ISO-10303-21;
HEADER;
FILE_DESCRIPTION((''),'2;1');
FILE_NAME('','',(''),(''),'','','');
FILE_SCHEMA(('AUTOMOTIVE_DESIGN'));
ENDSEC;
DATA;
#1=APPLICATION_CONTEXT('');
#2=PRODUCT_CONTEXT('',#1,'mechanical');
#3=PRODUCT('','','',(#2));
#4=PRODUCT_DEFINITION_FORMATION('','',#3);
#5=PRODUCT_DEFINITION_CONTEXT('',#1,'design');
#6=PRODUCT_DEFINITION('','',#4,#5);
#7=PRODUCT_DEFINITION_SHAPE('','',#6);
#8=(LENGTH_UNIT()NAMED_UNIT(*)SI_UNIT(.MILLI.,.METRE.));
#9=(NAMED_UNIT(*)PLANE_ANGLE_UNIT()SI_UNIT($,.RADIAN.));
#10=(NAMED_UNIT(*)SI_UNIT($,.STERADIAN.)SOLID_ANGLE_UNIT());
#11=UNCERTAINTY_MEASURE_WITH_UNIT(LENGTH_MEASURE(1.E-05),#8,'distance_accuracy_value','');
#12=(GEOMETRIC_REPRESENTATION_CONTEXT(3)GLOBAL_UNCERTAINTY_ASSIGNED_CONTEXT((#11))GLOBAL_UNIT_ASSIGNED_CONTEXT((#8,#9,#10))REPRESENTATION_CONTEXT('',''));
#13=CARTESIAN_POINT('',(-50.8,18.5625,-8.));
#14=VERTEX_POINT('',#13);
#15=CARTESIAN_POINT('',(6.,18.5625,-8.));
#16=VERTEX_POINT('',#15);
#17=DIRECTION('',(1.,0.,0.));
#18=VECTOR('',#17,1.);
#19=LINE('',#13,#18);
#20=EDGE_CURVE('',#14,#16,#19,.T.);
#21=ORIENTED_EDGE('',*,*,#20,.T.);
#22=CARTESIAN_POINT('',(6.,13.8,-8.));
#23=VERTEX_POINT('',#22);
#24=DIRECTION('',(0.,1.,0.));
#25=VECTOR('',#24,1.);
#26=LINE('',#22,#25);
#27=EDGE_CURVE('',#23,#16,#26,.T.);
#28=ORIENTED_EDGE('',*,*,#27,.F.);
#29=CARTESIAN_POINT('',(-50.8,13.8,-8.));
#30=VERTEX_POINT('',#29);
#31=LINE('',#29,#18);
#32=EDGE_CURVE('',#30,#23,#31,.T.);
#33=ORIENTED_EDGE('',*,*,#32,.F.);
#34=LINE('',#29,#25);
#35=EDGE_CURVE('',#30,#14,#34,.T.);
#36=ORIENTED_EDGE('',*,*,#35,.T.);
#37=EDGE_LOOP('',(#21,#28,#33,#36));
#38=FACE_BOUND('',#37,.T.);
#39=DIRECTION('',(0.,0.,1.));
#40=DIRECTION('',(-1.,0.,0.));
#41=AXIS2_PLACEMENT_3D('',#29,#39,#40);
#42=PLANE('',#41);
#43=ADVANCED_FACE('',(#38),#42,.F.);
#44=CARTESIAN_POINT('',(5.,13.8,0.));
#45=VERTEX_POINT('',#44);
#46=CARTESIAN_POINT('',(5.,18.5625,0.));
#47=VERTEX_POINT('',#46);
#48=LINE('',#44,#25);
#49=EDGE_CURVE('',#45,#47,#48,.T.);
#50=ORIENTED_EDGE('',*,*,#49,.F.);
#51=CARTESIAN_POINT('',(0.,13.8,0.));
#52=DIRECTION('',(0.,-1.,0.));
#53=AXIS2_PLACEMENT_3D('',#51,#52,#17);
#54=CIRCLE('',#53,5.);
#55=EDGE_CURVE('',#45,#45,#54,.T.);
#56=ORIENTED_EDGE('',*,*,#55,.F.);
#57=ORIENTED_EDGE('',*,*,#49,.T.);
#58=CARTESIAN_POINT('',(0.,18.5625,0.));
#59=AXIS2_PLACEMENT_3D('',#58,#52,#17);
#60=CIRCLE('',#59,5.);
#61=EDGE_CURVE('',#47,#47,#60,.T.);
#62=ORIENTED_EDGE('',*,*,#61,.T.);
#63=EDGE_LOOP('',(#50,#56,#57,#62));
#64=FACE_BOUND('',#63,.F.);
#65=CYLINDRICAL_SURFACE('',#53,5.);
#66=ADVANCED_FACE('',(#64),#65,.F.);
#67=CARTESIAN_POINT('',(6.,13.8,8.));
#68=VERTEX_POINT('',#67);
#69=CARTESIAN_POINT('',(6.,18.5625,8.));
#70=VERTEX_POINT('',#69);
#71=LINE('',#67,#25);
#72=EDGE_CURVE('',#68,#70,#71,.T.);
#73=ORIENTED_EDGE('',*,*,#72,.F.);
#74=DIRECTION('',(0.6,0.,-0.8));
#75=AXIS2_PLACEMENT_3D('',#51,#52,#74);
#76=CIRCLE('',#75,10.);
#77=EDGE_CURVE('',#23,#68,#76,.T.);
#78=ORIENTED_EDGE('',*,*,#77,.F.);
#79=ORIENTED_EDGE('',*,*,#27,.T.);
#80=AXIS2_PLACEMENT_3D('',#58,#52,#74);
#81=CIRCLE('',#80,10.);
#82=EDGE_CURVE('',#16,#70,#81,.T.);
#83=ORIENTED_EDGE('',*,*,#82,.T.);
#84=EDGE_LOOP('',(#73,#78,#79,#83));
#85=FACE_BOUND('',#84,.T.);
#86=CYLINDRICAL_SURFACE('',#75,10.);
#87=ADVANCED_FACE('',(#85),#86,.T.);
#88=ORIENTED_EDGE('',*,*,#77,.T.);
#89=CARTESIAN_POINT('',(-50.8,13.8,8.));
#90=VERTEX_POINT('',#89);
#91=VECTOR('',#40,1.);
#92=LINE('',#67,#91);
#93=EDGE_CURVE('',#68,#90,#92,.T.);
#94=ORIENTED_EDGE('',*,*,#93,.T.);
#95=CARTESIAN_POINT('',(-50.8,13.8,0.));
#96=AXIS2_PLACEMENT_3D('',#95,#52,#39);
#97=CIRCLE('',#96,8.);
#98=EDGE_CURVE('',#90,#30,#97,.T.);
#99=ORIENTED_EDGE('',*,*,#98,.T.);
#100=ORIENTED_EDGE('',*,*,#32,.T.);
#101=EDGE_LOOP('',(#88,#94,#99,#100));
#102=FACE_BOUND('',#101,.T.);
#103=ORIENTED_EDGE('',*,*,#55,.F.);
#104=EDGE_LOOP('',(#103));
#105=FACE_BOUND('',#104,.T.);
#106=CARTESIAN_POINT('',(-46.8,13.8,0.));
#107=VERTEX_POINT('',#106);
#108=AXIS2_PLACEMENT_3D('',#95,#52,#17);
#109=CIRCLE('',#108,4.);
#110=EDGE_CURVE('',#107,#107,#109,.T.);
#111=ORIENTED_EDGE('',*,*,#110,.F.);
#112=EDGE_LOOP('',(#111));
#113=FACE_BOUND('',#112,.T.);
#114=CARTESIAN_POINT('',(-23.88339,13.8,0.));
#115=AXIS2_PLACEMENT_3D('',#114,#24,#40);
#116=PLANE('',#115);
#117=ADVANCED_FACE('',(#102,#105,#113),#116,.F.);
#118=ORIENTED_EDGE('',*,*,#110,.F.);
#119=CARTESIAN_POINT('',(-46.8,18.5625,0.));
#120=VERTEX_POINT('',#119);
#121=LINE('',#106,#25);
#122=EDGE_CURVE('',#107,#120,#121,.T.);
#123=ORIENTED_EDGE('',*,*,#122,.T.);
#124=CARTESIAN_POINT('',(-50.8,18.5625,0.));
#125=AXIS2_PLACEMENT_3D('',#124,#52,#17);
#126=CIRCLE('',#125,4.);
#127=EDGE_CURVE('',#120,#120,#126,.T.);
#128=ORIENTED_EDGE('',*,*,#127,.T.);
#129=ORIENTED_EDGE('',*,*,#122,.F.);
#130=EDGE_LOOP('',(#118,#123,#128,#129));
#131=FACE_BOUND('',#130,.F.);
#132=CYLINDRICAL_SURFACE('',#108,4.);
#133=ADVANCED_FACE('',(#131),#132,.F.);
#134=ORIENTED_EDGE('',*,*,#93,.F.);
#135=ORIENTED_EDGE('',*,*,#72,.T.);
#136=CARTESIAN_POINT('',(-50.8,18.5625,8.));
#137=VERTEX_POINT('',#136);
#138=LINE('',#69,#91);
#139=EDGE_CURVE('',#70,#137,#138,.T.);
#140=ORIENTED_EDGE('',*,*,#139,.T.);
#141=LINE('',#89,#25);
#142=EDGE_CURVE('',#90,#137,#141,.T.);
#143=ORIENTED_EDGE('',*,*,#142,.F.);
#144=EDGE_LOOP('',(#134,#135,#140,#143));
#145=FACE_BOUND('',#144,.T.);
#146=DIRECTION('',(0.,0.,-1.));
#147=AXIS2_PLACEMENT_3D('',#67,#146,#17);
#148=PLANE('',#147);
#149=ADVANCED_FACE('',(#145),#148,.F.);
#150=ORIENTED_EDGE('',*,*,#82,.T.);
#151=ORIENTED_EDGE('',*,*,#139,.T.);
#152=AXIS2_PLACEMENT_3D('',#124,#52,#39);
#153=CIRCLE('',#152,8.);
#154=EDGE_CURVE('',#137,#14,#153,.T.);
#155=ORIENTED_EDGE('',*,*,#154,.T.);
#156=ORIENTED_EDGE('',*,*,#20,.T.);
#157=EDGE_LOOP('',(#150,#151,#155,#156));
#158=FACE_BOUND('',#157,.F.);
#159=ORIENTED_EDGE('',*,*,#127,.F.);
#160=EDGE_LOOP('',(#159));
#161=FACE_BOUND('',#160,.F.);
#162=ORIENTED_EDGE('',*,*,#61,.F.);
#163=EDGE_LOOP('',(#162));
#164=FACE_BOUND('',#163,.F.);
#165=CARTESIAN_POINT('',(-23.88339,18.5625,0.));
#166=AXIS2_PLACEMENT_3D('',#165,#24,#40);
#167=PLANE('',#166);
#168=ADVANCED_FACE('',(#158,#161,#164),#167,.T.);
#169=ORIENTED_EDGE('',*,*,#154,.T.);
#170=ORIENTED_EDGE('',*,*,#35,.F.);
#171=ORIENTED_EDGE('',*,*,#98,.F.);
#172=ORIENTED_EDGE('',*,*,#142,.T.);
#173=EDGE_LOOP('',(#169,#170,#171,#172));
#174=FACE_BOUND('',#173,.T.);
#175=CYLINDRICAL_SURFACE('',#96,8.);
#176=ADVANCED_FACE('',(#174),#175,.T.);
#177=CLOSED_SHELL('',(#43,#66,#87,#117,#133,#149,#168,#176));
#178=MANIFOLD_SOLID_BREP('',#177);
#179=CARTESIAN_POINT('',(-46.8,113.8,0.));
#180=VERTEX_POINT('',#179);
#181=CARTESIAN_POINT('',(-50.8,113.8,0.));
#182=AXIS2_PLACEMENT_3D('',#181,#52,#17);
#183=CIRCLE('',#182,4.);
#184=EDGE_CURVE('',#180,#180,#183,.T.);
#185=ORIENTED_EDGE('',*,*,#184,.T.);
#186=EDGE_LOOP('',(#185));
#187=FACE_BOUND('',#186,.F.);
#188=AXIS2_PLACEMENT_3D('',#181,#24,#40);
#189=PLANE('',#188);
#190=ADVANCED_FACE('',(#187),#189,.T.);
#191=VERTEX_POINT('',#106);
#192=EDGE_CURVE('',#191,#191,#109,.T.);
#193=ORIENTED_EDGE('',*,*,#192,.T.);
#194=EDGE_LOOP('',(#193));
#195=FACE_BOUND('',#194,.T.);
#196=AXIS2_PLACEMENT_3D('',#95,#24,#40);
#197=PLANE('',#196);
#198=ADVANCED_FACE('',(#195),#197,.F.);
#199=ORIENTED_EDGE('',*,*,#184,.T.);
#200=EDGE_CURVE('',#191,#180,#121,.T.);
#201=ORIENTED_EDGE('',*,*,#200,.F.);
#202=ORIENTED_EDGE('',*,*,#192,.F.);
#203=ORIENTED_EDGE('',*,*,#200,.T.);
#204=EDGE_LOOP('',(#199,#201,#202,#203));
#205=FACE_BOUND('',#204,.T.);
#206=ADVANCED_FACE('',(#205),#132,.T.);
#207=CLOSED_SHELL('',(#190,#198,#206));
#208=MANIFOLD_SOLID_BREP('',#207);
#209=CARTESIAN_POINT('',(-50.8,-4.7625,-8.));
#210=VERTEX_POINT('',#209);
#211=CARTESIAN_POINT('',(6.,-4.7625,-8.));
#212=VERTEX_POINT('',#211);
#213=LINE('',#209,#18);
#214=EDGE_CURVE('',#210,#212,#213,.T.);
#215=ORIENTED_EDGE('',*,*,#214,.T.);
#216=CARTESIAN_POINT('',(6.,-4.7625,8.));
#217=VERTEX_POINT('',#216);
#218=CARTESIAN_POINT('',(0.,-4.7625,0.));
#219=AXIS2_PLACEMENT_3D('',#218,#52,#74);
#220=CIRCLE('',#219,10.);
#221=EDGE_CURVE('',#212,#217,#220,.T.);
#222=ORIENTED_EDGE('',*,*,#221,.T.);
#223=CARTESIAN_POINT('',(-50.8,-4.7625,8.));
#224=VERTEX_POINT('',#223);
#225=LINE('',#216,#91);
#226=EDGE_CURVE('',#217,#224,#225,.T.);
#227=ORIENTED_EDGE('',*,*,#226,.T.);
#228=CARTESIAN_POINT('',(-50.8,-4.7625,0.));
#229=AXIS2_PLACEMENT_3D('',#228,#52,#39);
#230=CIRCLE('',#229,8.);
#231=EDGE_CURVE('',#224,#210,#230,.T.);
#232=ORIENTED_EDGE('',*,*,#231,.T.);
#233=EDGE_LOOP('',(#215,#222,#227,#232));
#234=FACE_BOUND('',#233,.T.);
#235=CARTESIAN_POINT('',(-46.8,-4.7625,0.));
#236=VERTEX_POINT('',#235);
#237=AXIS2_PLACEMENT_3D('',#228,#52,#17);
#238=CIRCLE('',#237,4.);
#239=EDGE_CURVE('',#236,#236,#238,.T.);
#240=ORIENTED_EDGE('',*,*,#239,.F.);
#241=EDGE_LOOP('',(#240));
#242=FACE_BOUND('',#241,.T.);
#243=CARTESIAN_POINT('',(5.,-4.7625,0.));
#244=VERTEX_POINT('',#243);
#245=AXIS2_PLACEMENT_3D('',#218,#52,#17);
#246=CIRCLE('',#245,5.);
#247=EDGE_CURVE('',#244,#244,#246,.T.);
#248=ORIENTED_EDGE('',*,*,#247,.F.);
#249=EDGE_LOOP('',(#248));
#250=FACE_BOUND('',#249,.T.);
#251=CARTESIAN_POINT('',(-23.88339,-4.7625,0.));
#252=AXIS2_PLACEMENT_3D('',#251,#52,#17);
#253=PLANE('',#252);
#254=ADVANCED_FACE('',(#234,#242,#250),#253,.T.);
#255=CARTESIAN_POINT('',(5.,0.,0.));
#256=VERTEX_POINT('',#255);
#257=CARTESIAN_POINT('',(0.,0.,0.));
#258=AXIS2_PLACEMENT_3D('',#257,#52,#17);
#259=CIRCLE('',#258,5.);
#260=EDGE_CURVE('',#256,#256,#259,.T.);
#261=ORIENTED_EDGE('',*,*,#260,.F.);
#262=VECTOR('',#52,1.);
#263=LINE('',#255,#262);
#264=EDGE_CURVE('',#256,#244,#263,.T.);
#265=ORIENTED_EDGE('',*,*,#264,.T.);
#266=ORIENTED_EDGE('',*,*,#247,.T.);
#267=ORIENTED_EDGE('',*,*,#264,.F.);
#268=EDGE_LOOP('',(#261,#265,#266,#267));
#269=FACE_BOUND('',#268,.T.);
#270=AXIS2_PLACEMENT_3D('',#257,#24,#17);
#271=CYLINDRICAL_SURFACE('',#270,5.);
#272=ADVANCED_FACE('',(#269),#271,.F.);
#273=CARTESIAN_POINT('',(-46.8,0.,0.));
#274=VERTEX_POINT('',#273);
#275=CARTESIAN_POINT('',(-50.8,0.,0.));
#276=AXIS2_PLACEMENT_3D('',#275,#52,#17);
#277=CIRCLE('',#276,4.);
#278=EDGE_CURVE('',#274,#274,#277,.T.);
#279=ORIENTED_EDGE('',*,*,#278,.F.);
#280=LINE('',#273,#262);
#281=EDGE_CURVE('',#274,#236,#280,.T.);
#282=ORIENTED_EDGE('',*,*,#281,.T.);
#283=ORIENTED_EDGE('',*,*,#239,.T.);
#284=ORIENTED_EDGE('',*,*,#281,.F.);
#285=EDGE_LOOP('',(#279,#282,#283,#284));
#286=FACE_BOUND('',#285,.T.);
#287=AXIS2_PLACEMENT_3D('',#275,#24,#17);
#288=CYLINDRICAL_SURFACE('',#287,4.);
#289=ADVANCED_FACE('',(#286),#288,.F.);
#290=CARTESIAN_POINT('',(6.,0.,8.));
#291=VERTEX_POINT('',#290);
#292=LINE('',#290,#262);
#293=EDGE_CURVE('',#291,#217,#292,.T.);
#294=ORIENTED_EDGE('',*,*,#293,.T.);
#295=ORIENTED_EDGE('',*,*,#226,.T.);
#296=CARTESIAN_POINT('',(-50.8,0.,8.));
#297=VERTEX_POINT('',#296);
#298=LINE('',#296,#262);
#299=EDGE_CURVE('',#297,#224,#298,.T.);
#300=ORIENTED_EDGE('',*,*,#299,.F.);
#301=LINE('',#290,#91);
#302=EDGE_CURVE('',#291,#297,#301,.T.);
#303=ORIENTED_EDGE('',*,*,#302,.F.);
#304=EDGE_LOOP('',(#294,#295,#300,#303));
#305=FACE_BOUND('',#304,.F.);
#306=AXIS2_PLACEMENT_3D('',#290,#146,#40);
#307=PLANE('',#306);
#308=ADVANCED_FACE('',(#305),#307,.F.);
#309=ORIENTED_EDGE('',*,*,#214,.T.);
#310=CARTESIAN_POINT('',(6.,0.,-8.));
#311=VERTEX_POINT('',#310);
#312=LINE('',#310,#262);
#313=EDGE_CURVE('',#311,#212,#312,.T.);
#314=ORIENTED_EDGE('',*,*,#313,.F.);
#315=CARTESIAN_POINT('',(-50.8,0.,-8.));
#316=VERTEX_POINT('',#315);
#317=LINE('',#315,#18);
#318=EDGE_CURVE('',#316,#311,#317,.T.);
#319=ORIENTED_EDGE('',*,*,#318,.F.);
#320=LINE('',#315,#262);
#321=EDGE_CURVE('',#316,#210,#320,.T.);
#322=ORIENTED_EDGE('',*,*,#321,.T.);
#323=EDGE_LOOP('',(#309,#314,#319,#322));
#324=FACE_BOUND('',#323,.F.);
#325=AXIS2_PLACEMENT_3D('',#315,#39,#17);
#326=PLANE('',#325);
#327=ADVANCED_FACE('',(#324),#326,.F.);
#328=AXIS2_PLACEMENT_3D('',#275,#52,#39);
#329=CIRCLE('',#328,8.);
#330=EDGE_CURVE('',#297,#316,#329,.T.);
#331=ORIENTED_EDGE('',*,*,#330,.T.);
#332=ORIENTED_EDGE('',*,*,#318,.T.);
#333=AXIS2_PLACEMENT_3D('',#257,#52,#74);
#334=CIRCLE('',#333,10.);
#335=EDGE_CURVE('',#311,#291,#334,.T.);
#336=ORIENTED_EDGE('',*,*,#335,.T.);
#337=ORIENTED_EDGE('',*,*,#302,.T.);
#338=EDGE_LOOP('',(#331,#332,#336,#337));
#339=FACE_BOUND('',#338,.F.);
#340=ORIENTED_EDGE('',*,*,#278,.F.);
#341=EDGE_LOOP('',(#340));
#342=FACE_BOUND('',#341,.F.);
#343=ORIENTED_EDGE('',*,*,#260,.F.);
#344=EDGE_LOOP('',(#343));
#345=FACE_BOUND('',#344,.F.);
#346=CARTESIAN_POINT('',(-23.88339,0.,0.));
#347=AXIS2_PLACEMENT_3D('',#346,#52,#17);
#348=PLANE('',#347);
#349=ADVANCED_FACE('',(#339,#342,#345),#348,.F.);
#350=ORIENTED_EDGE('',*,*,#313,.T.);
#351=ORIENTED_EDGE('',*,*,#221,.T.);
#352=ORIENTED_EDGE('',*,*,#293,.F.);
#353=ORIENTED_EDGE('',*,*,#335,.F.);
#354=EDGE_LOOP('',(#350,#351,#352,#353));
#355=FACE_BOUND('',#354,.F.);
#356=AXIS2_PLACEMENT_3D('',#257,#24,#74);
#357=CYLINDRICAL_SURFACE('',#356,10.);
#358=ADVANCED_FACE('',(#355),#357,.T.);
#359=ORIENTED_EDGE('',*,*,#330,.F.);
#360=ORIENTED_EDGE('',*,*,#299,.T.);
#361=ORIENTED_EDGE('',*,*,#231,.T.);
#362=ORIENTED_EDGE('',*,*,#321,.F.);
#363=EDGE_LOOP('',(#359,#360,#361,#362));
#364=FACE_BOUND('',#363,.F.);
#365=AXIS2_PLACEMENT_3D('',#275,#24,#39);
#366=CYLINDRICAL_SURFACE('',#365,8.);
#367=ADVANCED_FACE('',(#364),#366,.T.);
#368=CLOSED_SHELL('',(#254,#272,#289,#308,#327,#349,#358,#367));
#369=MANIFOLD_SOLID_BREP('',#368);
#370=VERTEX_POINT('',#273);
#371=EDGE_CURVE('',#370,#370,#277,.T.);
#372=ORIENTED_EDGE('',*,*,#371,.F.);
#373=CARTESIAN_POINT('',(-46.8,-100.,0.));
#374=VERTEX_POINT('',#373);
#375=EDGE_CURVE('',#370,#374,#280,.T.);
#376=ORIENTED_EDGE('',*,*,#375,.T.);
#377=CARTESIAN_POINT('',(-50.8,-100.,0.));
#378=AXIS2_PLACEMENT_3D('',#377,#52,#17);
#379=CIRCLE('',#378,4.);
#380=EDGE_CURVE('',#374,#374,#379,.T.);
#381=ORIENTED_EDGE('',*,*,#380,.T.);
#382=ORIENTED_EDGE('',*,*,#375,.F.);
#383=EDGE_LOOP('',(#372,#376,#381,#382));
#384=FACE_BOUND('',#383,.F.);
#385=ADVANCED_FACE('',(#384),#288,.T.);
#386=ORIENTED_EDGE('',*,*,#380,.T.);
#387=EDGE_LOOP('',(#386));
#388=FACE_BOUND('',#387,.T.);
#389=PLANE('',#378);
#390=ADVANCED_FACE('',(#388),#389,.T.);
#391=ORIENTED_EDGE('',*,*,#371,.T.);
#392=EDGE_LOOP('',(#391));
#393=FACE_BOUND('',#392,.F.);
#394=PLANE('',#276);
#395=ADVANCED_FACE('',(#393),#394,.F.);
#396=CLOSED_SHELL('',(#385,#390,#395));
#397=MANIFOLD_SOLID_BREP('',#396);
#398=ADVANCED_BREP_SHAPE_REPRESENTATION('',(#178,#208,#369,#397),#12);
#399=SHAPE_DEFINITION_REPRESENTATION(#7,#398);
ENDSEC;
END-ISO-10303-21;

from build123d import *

# Parameters (mm, degrees)
F0_R     = 4
F0_R_2   = 5
F1_DEPTH = 4.7625
F2_R     = 4
F3_DEPTH = 100


with BuildPart() as f1:
    # F0 (on Front) → F1 (new body)
    with BuildSketch(Plane.XZ):
        with BuildLine():
            Line((6, 8), (-50.8, 8))
            ThreePointArc((-50.8, 8), (-58.8, 0), (-50.8, -8))
            Line((-50.8, -8), (6, -8))
            ThreePointArc((6, -8), (10, 0), (6, 8))
        make_face()
        with Locations((-50.8, 0)):
            Circle(F0_R, mode=Mode.SUBTRACT)
        Circle(F0_R_2, mode=Mode.SUBTRACT)
    extrude(amount=F1_DEPTH)


with BuildPart() as f3:
    # F2 (on Front) → F3 (new body)
    with BuildSketch(Plane.XZ):
        with Locations((-50.8, 0)):
            Circle(F2_R)
    extrude(amount=F3_DEPTH)


with BuildPart() as f5_1:
    # F5: instance of F1
    add(f1.part.mirror(Plane.XZ.offset(-6.9)))


with BuildPart() as f5_2:
    # F5: instance of F3
    add(f3.part.mirror(Plane.XZ.offset(-6.9)))


solid = Compound([f1.part, f3.part, f5_1.part, f5_2.part])
